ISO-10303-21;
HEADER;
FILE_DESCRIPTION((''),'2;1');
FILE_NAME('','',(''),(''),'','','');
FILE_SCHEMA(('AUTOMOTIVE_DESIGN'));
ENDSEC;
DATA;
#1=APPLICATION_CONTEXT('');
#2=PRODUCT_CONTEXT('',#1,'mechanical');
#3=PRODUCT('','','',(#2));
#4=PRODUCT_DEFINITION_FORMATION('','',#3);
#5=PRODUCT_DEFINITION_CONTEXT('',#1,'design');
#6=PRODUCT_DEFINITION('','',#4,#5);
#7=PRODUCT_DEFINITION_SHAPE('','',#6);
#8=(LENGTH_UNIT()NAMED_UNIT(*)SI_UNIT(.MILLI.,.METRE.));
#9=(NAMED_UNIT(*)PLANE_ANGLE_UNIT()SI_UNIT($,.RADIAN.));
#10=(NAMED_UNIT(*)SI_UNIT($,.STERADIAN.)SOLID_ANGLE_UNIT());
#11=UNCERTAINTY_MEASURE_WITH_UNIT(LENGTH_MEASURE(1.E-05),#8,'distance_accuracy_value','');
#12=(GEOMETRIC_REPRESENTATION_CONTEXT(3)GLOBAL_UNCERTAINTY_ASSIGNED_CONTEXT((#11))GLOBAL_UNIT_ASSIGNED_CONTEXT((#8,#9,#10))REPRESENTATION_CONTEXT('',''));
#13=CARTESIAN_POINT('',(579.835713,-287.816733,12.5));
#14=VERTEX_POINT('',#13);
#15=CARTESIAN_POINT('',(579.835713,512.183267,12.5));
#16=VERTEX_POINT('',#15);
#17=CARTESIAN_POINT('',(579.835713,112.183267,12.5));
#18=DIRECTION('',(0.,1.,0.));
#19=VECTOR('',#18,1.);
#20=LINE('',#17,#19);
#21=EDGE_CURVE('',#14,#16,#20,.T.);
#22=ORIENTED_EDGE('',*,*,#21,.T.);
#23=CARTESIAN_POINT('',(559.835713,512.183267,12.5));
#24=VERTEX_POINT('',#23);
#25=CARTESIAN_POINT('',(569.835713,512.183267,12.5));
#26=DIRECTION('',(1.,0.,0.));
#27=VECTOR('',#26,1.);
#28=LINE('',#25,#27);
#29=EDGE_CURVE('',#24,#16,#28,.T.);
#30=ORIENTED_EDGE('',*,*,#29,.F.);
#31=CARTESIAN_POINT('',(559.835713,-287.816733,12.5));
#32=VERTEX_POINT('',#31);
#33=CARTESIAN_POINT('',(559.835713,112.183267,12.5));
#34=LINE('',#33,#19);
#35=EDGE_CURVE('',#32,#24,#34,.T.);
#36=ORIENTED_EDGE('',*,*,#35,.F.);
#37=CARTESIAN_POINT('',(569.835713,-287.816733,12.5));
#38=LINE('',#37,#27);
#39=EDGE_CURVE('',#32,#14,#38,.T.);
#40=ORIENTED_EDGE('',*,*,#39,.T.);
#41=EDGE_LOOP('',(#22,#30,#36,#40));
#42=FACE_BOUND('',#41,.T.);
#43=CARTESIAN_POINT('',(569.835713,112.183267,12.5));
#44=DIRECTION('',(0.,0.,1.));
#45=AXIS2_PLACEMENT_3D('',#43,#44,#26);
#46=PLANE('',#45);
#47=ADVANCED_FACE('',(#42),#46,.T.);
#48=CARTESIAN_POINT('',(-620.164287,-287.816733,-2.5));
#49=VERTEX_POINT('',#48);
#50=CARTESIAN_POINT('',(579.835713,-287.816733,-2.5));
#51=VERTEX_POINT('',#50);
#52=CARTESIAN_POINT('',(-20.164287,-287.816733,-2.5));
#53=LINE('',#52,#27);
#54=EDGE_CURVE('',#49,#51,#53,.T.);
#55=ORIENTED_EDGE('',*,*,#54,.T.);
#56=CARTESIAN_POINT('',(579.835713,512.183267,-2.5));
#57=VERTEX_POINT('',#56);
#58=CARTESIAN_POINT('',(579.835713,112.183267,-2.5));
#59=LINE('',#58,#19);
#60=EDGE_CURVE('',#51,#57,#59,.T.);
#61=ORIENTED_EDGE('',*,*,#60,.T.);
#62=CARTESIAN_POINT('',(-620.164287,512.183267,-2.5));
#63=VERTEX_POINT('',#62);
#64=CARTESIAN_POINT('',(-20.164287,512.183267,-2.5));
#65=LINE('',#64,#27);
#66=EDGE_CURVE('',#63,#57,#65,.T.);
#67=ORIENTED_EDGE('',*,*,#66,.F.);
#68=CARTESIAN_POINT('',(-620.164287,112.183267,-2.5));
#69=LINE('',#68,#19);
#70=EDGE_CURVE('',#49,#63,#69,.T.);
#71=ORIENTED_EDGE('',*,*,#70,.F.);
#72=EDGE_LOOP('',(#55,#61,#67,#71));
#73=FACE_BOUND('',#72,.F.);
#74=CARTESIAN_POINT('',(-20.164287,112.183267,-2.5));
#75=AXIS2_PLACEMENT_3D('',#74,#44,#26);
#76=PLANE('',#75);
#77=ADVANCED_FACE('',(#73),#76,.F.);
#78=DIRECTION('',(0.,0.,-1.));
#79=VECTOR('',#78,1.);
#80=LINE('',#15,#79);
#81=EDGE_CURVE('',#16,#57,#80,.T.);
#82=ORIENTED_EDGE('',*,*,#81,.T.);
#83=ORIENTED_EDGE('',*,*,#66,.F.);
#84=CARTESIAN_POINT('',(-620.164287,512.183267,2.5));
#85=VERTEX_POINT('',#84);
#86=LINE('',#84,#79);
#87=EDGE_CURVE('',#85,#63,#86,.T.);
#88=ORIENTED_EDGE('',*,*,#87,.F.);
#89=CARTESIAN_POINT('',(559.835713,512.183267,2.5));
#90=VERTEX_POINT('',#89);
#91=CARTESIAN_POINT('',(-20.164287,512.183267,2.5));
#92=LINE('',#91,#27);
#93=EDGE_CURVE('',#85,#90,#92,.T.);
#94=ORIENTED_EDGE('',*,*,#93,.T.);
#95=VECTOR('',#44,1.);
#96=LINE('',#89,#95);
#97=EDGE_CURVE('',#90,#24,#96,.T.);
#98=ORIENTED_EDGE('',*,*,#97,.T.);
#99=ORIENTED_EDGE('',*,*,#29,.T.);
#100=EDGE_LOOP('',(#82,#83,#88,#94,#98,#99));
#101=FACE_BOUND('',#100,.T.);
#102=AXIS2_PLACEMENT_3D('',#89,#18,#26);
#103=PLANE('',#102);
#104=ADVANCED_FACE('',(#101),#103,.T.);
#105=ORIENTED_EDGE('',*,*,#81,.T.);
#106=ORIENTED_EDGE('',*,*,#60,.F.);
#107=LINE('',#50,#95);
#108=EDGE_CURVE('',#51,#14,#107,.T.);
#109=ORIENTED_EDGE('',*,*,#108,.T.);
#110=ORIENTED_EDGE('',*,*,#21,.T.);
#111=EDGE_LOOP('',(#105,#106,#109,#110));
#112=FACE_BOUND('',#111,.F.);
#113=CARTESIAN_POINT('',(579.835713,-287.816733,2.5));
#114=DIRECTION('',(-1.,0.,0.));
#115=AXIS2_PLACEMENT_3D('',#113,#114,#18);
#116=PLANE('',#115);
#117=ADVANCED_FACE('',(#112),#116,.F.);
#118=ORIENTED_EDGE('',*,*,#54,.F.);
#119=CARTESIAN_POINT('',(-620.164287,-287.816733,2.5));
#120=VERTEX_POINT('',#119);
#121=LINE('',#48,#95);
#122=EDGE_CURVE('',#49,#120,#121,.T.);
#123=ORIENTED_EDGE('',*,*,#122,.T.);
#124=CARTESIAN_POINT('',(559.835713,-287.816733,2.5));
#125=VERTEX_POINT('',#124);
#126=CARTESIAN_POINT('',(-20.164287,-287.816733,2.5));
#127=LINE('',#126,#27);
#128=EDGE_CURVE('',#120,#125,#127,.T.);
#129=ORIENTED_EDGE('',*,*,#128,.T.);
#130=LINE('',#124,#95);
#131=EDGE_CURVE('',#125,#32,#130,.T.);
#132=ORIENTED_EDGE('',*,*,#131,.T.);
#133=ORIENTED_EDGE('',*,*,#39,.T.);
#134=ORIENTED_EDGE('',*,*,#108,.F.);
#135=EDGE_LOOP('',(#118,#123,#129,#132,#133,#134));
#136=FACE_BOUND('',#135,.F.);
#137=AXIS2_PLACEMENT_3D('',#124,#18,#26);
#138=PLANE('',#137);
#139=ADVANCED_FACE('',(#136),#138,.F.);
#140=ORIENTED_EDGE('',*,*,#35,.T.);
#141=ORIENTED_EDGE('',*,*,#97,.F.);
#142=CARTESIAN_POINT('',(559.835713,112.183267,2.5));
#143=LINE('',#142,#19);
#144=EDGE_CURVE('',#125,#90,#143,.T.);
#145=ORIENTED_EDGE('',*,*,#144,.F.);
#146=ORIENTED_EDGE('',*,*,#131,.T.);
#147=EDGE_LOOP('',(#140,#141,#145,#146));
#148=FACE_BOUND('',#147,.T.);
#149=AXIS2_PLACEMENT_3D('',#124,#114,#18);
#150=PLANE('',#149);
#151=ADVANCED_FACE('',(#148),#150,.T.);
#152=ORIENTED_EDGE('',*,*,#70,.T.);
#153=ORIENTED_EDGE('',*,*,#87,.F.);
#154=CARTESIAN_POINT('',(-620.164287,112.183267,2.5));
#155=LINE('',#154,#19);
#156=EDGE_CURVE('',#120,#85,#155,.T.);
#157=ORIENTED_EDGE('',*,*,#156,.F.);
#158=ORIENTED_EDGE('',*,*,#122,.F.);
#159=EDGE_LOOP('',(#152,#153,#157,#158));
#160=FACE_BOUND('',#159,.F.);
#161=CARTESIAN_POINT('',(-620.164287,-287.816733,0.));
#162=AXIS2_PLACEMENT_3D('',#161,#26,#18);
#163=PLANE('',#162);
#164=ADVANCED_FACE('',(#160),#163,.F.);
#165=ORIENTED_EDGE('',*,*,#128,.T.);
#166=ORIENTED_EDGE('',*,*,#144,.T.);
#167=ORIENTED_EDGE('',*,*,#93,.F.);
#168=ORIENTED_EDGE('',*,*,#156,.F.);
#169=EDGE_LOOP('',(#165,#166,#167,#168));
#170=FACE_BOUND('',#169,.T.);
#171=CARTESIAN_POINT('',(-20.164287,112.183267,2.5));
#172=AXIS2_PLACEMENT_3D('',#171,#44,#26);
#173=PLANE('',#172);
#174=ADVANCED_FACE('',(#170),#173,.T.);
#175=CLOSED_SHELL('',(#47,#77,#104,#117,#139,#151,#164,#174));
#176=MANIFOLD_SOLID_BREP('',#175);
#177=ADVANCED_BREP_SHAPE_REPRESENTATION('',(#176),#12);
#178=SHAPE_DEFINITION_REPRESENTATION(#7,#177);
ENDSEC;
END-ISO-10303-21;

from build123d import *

# Parameters (mm, degrees)
F0_W     = 1200
F0_H     = 800
F1_DEPTH = 2.5
F2_W     = 20
F2_H     = 800
F3_DEPTH = 10


with BuildPart() as f1:
    # F0 (on Top) → F1 (new body, symmetric)
    with BuildSketch(Plane.XY):
        with Locations((-20.164287, 112.183267)):
            Rectangle(F0_W, F0_H)
    extrude(amount=F1_DEPTH, both=True)

    # F2 (on face) → F3 (join)
    with BuildSketch(Plane.XY.offset(2.5)):
        with Locations((569.835713, 112.183267)):
            Rectangle(F2_W, F2_H)
    extrude(amount=F3_DEPTH)


solid = f1.part
